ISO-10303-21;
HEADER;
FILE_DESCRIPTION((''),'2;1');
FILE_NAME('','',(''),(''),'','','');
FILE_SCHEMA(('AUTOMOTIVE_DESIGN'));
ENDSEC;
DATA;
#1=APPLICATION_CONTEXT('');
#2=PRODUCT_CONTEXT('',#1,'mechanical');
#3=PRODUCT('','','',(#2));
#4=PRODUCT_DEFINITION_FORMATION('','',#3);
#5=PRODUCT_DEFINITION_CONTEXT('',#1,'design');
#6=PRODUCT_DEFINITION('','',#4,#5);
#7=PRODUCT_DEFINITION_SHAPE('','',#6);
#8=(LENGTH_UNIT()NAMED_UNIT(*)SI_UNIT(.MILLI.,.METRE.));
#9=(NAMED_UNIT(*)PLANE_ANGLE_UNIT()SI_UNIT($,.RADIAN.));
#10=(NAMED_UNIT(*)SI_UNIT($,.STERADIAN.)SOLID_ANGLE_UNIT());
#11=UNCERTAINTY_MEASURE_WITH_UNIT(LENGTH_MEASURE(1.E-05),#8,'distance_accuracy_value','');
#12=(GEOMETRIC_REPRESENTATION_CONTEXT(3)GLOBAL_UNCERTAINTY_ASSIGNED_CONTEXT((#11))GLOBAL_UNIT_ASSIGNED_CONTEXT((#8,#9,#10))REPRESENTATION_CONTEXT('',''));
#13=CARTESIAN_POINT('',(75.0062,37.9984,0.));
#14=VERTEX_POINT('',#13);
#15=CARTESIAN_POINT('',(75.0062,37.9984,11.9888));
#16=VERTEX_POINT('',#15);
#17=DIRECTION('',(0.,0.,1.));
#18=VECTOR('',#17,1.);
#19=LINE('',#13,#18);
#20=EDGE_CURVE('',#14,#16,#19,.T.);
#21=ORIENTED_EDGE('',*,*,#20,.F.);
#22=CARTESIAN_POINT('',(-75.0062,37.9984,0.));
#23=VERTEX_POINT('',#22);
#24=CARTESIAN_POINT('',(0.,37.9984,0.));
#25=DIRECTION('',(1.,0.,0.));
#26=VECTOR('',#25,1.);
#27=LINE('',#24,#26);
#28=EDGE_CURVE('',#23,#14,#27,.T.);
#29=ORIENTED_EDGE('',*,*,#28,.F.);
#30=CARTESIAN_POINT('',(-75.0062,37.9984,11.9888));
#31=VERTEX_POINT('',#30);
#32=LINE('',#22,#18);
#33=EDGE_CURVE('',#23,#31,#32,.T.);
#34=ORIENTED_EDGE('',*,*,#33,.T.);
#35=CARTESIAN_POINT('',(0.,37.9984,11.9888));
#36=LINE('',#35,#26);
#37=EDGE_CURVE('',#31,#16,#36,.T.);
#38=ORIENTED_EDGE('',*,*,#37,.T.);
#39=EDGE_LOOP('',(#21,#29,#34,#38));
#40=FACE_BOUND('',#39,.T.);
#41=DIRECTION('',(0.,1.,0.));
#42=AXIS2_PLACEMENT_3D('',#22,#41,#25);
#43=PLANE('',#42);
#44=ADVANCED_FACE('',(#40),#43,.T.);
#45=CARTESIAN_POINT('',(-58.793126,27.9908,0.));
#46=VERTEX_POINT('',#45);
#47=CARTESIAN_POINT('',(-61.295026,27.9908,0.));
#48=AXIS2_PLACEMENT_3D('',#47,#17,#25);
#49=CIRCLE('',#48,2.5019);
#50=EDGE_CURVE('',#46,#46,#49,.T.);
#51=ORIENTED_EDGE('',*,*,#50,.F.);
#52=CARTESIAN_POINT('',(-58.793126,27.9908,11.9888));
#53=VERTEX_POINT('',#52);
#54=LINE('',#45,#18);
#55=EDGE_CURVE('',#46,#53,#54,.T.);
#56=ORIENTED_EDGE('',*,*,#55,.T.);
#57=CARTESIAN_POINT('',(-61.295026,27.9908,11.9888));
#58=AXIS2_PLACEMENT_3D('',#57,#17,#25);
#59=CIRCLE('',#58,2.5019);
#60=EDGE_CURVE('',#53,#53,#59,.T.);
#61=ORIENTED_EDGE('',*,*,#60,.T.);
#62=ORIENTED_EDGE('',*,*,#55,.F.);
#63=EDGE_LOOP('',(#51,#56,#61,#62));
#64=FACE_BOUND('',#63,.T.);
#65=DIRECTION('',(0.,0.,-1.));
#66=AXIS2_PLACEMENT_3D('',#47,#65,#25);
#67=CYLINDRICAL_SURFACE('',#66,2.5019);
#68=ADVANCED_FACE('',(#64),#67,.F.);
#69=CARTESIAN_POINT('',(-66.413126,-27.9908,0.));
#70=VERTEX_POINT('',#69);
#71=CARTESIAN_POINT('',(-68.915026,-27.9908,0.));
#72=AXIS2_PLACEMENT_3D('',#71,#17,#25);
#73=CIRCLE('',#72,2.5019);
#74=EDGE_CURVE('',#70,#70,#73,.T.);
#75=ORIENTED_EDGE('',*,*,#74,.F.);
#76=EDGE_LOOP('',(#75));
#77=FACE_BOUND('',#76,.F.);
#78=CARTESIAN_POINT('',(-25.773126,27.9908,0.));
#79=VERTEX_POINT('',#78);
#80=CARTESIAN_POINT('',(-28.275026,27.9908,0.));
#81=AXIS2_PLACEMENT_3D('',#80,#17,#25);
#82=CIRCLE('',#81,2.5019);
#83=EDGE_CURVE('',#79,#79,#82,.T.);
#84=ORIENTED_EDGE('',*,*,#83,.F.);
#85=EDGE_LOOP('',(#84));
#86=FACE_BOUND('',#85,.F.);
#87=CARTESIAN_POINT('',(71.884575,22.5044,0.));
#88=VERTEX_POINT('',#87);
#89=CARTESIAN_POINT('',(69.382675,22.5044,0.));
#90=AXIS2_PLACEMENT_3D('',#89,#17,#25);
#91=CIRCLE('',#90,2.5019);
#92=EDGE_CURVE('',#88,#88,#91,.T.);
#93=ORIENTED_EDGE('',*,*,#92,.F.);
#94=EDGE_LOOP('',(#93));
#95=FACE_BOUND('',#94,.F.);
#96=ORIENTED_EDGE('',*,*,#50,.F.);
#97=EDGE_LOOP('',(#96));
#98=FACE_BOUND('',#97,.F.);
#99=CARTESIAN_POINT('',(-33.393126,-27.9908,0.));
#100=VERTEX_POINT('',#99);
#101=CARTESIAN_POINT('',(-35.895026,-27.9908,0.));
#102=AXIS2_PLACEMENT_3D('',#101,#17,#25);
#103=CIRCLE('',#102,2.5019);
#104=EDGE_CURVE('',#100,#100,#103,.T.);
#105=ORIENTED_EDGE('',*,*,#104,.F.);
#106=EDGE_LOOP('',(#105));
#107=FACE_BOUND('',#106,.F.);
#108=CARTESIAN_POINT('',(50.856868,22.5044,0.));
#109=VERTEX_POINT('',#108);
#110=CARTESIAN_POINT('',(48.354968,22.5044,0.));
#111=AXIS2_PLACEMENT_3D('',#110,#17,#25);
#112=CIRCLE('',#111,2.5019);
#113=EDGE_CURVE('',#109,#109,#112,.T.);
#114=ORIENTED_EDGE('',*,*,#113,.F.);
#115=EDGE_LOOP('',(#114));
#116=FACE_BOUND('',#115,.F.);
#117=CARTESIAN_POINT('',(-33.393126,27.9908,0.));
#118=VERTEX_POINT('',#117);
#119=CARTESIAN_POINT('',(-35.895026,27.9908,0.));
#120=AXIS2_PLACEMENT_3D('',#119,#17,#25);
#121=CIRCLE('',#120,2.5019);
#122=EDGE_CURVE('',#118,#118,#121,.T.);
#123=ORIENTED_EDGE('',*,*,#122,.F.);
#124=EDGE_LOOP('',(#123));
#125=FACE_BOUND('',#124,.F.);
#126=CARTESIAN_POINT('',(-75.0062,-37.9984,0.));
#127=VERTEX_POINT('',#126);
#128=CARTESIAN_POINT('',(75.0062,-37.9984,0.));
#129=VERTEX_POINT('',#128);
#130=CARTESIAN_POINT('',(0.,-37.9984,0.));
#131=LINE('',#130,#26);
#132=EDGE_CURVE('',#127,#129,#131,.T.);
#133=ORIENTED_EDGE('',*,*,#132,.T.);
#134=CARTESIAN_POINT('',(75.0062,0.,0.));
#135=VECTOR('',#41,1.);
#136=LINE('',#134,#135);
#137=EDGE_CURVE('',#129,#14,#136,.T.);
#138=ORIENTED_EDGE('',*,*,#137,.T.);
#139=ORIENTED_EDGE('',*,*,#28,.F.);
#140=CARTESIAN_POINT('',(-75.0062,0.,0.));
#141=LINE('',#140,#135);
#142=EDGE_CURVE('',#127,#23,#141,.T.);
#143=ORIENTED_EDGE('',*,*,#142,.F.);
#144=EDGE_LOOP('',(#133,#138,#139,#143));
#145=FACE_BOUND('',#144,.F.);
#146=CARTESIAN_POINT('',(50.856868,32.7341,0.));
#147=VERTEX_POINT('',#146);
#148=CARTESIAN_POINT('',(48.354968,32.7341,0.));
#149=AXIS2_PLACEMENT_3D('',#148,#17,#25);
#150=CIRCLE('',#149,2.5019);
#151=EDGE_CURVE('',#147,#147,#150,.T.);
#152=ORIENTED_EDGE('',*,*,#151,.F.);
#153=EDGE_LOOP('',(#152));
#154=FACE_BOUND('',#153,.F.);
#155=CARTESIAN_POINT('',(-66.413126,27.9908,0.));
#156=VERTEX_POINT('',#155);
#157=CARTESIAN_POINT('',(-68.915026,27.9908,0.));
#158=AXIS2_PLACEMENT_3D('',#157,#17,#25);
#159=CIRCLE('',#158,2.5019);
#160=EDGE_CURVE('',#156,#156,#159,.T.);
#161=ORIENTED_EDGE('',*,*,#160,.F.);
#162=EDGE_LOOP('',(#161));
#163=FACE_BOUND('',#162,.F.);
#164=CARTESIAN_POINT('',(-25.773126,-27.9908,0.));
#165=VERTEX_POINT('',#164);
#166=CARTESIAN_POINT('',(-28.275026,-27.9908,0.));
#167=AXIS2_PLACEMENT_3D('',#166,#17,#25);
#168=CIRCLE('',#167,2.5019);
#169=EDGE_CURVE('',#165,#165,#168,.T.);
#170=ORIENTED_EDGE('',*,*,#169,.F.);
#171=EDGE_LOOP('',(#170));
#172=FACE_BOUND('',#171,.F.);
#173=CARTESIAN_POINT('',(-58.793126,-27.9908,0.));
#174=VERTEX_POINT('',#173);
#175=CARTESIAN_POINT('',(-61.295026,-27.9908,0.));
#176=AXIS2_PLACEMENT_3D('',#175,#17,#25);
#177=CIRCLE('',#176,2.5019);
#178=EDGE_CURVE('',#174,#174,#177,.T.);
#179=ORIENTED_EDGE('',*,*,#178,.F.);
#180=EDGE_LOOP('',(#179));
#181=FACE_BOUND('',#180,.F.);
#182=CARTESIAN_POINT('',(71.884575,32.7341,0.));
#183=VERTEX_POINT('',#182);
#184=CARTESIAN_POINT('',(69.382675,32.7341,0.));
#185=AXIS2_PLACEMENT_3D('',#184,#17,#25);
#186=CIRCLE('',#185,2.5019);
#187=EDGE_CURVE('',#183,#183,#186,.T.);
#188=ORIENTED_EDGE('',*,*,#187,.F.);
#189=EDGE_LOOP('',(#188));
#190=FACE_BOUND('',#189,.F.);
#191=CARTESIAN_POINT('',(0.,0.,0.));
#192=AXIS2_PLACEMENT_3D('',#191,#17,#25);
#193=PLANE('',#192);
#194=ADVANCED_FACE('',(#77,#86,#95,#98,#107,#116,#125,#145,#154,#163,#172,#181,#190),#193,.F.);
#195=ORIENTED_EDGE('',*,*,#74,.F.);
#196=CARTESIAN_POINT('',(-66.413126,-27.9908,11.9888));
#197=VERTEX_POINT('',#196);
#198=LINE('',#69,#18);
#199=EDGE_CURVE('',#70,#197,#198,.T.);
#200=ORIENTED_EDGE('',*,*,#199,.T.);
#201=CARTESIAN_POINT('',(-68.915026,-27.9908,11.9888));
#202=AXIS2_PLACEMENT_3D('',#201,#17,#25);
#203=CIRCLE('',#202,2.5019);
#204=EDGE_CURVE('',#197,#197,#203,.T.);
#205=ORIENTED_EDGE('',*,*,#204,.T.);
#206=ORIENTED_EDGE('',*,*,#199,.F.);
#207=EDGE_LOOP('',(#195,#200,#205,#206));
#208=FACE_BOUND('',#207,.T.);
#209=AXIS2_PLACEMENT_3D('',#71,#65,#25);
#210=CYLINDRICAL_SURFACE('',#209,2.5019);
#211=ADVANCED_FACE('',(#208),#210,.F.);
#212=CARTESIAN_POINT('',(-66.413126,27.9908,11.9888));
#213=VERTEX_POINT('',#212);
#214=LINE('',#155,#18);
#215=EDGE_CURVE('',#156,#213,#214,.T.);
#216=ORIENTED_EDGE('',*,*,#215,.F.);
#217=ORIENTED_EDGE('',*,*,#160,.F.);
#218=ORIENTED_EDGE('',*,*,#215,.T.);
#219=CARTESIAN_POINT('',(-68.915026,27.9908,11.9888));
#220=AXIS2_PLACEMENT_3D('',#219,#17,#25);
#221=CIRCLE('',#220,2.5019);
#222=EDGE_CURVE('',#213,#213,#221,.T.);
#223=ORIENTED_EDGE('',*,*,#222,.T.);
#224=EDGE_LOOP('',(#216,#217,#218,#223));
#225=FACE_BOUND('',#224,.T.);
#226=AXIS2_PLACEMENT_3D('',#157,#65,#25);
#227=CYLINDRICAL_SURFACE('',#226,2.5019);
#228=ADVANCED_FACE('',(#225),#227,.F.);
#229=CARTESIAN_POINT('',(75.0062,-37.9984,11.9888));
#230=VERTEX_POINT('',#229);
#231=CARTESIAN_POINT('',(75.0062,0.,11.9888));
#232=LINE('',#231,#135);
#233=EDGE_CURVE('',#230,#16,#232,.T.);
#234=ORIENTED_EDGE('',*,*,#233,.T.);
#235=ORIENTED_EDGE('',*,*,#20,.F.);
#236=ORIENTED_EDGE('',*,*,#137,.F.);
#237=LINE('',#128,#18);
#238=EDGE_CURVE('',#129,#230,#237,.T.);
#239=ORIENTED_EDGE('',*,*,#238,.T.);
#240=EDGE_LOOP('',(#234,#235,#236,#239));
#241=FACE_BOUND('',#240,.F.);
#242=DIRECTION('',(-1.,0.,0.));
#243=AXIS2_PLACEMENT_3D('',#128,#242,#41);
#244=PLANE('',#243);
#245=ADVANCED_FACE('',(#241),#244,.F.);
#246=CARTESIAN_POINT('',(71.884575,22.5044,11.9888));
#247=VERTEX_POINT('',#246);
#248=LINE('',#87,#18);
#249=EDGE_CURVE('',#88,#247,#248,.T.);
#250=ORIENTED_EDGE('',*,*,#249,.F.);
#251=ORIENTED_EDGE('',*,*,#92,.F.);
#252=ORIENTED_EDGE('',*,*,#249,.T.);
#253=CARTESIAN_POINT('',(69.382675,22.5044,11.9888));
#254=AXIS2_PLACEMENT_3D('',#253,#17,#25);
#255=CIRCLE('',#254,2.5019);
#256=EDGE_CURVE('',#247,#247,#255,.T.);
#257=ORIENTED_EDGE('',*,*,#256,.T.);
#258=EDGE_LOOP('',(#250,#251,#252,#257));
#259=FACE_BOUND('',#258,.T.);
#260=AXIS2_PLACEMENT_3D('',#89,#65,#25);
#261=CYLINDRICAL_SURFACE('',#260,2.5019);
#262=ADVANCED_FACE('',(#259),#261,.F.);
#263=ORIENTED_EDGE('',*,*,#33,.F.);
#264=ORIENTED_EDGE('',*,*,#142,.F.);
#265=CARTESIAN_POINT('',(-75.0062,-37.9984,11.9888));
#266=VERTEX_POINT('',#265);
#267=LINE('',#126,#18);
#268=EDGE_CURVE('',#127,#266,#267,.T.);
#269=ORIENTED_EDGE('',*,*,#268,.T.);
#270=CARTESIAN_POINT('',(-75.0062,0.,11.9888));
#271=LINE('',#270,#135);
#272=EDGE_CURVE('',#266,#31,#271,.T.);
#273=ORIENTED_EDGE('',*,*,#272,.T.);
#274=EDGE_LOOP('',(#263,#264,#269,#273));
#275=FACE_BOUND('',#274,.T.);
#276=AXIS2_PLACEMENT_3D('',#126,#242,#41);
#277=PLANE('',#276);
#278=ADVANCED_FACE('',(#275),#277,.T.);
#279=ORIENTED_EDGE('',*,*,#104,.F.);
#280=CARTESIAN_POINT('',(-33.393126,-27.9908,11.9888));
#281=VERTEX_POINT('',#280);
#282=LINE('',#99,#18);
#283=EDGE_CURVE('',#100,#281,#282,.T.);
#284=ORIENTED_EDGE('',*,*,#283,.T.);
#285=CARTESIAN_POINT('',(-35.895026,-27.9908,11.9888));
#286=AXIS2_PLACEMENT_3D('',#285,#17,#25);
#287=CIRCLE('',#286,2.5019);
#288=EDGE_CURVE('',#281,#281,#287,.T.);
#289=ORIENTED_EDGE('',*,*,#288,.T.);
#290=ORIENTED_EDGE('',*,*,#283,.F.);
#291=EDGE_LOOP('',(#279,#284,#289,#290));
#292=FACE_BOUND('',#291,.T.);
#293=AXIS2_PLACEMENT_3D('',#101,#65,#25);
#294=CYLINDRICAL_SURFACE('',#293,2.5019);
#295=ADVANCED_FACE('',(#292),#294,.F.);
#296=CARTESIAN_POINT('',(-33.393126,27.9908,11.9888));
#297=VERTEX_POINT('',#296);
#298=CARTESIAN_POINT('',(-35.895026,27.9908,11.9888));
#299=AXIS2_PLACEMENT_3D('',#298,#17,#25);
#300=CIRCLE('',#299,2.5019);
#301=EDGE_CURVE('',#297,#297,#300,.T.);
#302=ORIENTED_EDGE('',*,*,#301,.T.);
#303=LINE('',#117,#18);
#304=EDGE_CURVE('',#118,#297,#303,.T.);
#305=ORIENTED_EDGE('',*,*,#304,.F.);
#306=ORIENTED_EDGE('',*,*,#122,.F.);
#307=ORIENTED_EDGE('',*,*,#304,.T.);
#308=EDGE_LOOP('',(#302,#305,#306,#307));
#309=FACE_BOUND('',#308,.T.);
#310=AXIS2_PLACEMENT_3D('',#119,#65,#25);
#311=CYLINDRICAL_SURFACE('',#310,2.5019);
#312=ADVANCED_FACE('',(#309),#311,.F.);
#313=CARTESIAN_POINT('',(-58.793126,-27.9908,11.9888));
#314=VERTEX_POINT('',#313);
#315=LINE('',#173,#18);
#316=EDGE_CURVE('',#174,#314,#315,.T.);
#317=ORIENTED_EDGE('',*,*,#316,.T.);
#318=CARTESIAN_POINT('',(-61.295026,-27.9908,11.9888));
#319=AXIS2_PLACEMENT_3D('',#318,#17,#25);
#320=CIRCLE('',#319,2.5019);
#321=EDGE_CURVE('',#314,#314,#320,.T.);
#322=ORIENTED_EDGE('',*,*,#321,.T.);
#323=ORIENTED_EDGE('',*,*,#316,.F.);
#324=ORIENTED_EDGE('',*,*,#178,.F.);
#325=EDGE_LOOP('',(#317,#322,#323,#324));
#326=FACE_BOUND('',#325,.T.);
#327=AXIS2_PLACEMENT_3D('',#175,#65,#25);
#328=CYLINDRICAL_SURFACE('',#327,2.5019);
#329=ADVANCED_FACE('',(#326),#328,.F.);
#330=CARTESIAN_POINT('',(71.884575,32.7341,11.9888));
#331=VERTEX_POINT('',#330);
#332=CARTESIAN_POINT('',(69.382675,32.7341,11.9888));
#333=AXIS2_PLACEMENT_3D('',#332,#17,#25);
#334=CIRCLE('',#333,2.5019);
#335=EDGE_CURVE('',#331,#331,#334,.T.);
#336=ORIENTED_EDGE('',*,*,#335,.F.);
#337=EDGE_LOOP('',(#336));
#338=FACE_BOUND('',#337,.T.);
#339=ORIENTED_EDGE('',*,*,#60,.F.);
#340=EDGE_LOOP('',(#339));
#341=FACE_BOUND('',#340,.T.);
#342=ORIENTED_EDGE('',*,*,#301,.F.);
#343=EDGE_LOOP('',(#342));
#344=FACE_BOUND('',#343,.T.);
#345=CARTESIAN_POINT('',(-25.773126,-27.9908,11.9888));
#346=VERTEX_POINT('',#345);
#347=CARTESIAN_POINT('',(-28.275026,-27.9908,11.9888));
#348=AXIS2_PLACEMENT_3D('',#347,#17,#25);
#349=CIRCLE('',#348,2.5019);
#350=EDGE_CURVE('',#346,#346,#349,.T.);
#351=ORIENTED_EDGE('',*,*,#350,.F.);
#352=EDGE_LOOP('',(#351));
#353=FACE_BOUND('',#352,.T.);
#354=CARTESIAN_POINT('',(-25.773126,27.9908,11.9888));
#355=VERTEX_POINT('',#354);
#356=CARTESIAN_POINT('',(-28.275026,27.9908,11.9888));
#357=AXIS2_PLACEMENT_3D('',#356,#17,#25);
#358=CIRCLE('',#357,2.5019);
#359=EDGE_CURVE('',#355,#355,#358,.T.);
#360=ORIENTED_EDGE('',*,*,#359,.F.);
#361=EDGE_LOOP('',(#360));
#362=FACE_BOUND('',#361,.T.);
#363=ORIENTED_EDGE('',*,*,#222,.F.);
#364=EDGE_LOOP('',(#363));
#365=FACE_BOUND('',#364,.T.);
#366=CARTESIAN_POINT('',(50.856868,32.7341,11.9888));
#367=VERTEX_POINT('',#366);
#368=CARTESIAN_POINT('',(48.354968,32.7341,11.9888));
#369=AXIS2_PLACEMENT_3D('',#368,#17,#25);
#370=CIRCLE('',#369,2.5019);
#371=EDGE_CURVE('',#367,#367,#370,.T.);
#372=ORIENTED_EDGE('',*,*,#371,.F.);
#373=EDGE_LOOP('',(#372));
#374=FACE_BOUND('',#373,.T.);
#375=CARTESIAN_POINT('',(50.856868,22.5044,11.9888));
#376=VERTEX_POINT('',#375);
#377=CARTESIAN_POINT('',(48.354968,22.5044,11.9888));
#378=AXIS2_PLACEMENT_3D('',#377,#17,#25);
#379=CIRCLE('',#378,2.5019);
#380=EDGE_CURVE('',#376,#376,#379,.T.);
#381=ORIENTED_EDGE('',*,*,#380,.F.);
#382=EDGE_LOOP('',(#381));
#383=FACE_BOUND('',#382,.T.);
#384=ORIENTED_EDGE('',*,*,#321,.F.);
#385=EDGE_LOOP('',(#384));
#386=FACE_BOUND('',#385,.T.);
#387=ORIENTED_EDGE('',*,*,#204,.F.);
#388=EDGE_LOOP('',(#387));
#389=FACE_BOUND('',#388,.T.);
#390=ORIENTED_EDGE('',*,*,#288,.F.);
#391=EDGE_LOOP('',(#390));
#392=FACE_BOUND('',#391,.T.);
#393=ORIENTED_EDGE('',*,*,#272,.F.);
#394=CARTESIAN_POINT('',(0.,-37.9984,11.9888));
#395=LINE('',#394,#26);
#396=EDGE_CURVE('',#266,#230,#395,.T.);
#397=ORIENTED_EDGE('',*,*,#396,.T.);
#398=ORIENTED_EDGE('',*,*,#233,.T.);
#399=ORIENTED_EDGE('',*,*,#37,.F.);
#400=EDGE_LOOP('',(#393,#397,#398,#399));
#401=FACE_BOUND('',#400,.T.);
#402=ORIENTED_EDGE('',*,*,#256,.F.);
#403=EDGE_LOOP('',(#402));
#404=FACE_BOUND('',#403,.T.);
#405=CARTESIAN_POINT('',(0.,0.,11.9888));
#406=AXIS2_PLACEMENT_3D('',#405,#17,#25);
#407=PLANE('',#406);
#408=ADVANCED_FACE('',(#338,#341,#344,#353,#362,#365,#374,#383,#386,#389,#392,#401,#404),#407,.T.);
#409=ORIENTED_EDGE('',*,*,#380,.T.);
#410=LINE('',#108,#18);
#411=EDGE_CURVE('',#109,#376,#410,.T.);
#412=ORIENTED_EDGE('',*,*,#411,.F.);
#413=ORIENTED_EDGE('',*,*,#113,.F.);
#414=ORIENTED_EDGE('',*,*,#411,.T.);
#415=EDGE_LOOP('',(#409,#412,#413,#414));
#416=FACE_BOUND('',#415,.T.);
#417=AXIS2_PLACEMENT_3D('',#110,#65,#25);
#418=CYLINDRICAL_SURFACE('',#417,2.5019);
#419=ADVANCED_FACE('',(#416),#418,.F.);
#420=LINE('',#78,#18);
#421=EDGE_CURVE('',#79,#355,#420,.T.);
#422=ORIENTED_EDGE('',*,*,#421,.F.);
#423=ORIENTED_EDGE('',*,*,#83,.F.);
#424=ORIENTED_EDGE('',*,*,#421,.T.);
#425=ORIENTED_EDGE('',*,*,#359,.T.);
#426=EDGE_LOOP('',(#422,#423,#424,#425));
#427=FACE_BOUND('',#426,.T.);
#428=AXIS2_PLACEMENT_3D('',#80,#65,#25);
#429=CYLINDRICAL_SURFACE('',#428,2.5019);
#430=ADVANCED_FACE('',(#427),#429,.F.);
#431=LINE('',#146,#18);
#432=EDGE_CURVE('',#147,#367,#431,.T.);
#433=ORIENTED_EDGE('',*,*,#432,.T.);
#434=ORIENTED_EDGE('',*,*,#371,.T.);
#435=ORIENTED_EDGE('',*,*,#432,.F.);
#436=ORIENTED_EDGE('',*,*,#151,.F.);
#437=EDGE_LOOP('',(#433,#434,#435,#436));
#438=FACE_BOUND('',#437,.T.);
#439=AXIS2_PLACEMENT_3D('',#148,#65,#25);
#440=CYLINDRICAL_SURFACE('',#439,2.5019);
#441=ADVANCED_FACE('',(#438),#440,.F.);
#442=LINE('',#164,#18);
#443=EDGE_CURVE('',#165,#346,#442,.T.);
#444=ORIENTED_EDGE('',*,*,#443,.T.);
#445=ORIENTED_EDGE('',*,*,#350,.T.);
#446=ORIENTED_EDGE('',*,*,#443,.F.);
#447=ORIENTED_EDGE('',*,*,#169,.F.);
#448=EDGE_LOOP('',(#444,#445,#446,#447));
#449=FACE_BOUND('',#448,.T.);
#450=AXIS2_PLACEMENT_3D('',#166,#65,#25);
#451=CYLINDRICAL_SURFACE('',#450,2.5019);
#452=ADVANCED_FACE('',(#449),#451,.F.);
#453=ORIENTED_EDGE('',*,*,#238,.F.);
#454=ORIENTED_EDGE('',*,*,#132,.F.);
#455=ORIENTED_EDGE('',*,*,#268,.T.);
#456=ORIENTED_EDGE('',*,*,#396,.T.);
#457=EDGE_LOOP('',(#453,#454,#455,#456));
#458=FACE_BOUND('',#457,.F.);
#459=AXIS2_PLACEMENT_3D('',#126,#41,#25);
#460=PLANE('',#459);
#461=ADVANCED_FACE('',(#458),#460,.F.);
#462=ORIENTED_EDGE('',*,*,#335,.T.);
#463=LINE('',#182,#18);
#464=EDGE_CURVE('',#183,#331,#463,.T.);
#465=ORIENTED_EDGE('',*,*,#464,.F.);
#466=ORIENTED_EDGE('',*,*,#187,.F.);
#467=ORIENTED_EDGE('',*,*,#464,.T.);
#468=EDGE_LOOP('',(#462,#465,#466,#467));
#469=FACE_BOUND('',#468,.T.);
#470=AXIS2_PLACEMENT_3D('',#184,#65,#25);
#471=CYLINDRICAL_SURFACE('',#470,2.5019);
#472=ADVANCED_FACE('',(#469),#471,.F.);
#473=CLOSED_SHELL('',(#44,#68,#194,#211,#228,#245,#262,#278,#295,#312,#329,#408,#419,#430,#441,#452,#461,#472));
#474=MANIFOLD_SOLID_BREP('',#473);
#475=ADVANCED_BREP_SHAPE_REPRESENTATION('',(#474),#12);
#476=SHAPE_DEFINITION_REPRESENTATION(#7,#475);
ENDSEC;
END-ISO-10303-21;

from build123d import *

# Parameters (mm, degrees)
F0_W     = 150.0124
F0_H     = 75.9968
F0_R     = 2.5019
F1_DEPTH = 11.9888


with BuildPart() as f1:
    # F0 (on Top) → F1 (new body)
    with BuildSketch(Plane.XY):
        Rectangle(F0_W, F0_H)
        with Locations((-68.915026, -27.9908)):
            Circle(F0_R, mode=Mode.SUBTRACT)
        with Locations((-61.295026, -27.9908)):
            Circle(F0_R, mode=Mode.SUBTRACT)
        with Locations((-35.895026, -27.9908)):
            Circle(F0_R, mode=Mode.SUBTRACT)
        with Locations((-28.275026, -27.9908)):
            Circle(F0_R, mode=Mode.SUBTRACT)
        with Locations((-68.915026, 27.9908)):
            Circle(F0_R, mode=Mode.SUBTRACT)
        with Locations((-61.295026, 27.9908)):
            Circle(F0_R, mode=Mode.SUBTRACT)
        with Locations((-35.895026, 27.9908)):
            Circle(F0_R, mode=Mode.SUBTRACT)
        with Locations((-28.275026, 27.9908)):
            Circle(F0_R, mode=Mode.SUBTRACT)
        with Locations((48.354968, 22.5044)):
            Circle(F0_R, mode=Mode.SUBTRACT)
        with Locations((69.382675, 22.5044)):
            Circle(F0_R, mode=Mode.SUBTRACT)
        with Locations((48.354968, 32.7341)):
            Circle(F0_R, mode=Mode.SUBTRACT)
        with Locations((69.382675, 32.7341)):
            Circle(F0_R, mode=Mode.SUBTRACT)
    extrude(amount=F1_DEPTH)


solid = f1.part
